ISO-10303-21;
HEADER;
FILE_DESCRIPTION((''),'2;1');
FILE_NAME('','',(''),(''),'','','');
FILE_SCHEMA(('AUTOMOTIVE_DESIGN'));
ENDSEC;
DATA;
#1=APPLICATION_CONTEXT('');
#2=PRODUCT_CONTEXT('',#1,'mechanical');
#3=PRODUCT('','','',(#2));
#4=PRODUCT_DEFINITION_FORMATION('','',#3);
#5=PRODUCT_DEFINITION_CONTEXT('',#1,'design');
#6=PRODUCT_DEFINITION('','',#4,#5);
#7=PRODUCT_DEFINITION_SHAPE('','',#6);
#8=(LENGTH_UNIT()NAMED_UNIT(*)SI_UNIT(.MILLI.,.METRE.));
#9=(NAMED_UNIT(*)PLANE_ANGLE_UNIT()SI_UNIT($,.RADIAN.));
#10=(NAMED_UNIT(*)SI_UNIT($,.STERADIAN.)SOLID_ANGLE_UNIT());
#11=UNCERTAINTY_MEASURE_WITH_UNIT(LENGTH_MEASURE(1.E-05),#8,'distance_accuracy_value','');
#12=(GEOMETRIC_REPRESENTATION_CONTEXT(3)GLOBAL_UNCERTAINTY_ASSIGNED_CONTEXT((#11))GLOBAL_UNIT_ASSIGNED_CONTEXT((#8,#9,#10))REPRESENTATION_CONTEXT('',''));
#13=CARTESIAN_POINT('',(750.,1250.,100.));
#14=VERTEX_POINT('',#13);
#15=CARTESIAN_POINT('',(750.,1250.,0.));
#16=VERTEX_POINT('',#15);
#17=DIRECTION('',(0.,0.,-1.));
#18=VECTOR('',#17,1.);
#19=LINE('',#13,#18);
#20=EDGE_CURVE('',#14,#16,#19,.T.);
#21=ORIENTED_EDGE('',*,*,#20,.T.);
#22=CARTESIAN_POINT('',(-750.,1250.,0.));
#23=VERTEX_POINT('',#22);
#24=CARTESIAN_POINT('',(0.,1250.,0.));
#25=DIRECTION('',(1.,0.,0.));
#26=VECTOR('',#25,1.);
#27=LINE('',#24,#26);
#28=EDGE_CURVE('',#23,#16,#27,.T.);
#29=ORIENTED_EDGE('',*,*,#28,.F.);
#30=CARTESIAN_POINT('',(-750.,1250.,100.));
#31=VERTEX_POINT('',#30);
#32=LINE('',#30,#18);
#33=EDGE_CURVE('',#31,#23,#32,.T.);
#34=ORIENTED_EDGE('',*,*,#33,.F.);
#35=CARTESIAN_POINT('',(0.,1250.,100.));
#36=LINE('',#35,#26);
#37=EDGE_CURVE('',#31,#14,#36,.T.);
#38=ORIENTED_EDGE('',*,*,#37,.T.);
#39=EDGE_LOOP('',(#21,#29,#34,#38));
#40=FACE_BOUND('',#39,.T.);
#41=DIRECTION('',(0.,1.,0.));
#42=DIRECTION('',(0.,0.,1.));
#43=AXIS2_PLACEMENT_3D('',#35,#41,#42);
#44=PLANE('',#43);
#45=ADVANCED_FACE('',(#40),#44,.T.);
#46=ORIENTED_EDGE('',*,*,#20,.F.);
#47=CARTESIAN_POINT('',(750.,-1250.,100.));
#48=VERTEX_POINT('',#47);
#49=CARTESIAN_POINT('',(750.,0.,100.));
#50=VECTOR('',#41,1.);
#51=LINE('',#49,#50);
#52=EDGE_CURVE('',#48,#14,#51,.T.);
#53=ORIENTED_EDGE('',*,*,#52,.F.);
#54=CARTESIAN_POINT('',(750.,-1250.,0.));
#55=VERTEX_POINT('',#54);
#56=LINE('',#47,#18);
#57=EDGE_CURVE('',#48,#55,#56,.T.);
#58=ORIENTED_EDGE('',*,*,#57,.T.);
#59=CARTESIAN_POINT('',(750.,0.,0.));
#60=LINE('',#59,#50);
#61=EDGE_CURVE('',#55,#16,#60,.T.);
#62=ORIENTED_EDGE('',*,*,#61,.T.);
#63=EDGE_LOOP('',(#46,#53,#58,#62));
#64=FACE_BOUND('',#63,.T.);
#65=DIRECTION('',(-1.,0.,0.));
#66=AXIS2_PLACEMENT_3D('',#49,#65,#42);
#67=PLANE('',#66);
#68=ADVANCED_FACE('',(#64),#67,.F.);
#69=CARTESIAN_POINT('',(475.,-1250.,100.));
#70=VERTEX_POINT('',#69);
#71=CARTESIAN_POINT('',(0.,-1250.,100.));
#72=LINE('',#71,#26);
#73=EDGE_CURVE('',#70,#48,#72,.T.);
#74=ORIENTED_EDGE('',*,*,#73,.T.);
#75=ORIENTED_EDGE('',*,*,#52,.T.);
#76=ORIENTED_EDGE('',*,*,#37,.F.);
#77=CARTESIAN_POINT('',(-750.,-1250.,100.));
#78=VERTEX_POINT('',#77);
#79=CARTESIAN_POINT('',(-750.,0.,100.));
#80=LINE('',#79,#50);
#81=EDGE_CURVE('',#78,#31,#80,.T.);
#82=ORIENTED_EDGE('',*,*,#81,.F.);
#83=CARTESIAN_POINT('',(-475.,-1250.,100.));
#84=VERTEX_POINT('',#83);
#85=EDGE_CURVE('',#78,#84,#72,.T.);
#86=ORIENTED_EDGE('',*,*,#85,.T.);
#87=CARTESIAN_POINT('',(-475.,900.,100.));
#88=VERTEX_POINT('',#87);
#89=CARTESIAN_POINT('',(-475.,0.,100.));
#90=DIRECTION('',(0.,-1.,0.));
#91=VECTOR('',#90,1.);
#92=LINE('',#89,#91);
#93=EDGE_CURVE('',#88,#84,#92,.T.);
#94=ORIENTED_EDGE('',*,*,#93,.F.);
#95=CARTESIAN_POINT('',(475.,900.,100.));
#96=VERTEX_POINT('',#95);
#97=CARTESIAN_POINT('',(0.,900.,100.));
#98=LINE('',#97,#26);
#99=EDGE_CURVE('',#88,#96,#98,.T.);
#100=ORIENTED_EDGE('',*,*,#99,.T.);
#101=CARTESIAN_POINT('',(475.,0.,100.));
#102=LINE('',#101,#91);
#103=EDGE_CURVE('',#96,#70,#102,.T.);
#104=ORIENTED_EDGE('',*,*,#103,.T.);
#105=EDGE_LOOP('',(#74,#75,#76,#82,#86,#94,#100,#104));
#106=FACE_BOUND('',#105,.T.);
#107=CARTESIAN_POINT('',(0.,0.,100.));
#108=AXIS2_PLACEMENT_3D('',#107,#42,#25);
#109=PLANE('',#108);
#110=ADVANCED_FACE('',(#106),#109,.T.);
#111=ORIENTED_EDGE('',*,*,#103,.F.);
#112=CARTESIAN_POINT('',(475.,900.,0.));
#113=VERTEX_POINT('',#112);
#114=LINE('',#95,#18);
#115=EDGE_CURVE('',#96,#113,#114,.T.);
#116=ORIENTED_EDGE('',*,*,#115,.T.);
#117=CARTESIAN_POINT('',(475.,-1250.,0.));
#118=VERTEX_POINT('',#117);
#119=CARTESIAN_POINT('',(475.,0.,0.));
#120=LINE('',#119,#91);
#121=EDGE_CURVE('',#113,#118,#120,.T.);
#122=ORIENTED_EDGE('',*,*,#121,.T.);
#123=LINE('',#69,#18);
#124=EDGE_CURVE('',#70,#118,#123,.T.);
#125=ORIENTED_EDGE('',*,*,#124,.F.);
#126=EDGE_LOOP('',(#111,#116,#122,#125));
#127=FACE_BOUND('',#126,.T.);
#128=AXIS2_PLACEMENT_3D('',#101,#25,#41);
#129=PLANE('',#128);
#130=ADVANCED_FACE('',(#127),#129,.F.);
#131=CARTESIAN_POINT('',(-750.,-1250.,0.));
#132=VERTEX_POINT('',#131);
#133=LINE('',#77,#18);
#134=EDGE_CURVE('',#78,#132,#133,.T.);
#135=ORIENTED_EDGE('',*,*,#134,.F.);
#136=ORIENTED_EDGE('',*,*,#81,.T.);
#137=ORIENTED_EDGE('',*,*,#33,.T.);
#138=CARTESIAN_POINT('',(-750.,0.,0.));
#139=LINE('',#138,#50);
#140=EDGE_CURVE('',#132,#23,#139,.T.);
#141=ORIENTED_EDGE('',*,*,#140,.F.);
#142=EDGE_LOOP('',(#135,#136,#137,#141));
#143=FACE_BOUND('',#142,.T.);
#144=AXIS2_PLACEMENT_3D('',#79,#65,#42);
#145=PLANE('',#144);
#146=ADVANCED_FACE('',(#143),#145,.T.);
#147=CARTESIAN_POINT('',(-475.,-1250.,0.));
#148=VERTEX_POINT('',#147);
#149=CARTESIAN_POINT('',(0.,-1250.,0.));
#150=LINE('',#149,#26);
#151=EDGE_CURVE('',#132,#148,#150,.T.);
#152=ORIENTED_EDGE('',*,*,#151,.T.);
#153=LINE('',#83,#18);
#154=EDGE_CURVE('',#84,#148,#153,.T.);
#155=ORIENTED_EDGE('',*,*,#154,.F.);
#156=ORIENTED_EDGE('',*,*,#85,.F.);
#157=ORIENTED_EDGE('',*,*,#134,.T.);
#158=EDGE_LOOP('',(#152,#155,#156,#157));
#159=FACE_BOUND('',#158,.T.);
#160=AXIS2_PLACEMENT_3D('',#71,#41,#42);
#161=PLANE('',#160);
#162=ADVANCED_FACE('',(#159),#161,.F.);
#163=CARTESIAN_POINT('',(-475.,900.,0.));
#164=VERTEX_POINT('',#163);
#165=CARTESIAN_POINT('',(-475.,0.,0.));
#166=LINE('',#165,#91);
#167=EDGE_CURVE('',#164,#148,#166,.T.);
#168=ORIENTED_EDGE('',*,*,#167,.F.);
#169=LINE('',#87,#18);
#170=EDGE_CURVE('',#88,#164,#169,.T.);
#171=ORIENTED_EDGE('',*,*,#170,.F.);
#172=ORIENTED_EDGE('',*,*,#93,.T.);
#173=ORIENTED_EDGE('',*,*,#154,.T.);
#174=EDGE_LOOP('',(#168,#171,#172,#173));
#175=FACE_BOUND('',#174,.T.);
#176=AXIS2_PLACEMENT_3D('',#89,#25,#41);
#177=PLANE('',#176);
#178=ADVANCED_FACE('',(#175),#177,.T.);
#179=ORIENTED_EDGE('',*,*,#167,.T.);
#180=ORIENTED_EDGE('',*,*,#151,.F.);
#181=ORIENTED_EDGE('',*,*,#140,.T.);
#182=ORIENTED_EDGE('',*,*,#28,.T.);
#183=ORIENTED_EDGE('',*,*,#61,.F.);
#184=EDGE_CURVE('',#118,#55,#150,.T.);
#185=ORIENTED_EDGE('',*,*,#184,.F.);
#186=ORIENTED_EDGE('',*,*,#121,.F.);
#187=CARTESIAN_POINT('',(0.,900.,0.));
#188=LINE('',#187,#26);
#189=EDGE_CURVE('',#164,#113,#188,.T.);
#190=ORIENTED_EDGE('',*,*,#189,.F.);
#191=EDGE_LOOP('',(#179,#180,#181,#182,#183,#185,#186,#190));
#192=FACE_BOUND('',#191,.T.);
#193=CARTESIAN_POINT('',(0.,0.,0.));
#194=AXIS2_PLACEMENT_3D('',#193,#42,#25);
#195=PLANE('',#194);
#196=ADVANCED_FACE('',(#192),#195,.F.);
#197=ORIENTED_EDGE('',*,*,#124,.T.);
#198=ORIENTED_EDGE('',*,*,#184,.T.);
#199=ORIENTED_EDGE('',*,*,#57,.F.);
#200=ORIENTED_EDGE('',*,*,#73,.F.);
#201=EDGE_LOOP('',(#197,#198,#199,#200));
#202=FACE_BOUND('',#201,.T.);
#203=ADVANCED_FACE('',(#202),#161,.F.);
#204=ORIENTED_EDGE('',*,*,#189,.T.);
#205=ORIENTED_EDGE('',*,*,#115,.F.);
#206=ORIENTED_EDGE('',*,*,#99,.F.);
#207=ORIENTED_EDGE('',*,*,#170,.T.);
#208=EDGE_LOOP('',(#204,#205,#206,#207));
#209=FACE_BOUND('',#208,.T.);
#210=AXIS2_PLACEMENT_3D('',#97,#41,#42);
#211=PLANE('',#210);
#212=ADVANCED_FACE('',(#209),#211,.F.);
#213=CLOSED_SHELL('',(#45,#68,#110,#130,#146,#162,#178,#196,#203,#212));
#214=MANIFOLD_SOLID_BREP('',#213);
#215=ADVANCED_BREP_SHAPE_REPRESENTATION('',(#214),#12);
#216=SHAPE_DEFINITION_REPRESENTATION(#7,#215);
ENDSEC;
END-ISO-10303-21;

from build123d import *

# Parameters (mm, degrees)
SALIENTE_EXTRUIR1_DEPTH = 100


with BuildPart() as part:
    # Croquis1 → Saliente-Extruir1 (new body)
    with BuildSketch(Plane.XY):
        Polygon((-475, -1250), (-475, 900), (475, 900), (475, -1250), (750, -1250), (750, 1250), (-750, 1250), (-750, -1250), align=None)
    extrude(amount=SALIENTE_EXTRUIR1_DEPTH)


solid = part.part
